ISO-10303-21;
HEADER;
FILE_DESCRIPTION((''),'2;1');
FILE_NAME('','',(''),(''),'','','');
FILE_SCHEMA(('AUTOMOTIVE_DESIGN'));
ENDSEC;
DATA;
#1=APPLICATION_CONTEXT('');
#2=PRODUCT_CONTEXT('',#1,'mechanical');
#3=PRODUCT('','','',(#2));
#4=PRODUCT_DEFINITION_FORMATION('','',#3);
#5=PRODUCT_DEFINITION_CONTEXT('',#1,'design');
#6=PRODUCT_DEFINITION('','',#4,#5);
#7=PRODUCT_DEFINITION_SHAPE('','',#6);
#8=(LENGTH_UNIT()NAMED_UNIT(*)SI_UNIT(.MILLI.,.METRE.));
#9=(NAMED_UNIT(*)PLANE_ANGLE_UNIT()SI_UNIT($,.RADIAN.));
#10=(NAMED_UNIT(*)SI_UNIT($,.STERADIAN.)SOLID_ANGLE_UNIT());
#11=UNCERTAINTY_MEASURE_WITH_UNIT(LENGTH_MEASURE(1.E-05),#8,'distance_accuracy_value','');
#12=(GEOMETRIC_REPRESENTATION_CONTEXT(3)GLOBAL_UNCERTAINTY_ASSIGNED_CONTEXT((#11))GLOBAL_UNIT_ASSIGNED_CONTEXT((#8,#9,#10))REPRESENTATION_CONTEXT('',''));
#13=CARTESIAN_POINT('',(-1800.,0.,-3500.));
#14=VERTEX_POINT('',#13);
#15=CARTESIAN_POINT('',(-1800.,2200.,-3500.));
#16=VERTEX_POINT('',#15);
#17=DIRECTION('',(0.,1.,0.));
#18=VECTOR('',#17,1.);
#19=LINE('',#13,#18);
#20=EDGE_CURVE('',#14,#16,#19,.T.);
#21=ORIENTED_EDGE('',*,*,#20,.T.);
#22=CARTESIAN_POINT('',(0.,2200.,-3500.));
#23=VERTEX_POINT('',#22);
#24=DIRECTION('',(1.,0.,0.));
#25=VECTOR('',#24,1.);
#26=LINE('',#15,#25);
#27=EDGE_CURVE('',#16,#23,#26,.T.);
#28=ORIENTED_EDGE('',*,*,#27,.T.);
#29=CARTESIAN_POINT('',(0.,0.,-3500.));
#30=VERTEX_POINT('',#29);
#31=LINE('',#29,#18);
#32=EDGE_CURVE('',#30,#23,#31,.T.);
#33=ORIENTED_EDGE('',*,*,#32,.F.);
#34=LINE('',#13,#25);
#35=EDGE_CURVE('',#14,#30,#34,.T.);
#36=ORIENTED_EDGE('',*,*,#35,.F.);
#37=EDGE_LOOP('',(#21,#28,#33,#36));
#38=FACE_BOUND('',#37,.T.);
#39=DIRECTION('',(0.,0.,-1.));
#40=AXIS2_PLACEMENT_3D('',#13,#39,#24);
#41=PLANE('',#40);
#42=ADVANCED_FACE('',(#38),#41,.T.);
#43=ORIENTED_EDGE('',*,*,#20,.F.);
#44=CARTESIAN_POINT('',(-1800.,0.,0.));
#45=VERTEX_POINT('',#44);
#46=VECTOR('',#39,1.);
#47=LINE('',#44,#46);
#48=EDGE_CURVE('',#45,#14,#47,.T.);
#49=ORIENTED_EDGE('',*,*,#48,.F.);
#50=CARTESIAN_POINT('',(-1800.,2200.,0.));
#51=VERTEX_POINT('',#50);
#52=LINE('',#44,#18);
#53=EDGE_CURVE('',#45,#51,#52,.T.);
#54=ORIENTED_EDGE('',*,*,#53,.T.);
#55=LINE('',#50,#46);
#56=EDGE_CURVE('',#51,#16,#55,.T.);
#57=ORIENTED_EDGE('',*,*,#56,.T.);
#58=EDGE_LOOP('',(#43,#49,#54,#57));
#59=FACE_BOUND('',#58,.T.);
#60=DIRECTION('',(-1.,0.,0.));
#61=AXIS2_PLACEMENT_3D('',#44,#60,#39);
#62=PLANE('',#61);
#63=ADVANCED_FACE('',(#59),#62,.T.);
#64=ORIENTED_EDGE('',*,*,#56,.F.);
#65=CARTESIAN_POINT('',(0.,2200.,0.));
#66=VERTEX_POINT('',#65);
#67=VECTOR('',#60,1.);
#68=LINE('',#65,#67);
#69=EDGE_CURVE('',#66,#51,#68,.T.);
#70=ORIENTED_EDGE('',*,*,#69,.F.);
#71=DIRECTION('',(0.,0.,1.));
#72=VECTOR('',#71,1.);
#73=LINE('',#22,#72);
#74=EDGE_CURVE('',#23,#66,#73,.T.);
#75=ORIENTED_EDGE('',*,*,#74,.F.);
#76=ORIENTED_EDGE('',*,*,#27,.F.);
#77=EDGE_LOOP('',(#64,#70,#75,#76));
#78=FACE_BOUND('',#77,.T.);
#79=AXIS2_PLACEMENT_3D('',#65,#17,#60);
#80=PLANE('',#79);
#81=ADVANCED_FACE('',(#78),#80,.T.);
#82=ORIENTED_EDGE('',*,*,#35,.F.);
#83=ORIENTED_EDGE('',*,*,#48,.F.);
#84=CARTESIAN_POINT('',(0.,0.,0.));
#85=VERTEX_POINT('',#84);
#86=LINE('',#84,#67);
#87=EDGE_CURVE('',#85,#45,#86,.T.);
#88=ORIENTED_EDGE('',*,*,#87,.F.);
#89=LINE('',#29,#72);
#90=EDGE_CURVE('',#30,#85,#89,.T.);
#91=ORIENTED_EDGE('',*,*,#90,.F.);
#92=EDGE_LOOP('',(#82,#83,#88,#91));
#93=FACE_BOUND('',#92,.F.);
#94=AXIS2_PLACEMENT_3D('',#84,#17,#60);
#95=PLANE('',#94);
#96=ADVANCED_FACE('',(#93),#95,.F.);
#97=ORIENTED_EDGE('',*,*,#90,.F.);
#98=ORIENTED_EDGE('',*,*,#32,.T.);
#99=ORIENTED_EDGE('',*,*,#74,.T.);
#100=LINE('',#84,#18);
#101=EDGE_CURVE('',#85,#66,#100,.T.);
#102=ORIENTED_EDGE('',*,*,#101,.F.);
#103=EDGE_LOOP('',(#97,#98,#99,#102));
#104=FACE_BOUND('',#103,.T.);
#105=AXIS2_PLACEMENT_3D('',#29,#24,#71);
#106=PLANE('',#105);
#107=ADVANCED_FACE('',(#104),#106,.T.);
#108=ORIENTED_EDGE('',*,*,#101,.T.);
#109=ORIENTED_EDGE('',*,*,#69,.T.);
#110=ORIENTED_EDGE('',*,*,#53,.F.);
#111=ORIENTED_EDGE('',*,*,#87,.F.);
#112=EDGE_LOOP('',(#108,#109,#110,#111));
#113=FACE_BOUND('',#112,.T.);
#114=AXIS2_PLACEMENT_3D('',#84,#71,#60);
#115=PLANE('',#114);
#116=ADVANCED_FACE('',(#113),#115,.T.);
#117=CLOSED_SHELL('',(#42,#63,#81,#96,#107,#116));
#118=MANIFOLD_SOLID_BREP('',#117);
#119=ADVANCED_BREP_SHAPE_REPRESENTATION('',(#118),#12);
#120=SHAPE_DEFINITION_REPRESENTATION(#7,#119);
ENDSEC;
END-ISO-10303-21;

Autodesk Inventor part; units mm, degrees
ref_plane "YZ Plane" through (0, 0, 0) normal (1, 0, 0) x (0, 1, 0)
ref_plane "XZ Plane" through (0, 0, 0) normal (0, 1, 0) x (-1, 0, 0)
ref_plane "XY Plane" through (0, 0, 0) normal (0, 0, 1) x (1, 0, 0)
sketch "Sketch2" plane through (0, 0, 0) normal (0, 1, 0) x (-1, 0, 0)
  line L0 (0, 0) -> (1800, 0)
  line L1 (1800, 0) -> (1800, -3500)
  line L2 (1800, -3500) -> (0, -3500)
  line L3 (0, -3500) -> (0, 0)
  dimension "Base_Width" = 1800
  dimension "Base_Length" = 3500
extrude "Extrusion1" add sketch "Sketch2" along normal blind 2200
sketch "Sketch4" plane through (0, 0, -3500) normal (0, 0, -1) x (-1, 0, 0)
  line L0 (0, 0) -> (1800, 0) construction
  line L1 (0, 0) -> (1800, 0) construction
  line L2 (1800, 0) -> (1800, 2200) construction
  line L3 (0, 2200) -> (1800, 2200) construction
  line L4 (0, 0) -> (0, 2200) construction
  line L5 (0, 0) -> (900, 2200)
  line L6 (1800, 0) -> (896.2137, 2190.7445)
  line L7 (0, 2200) -> (1800, 2200) projected
  line L8 (204.5455, 500) -> (1593.7262, 500)
  dimension "d10" = 10
  dimension "d12" = 500
sketch "Sketch5" plane through (0, 2200, 0) normal (0, 1, 0) x (1, 0, 0)
  line L0 (-1800, 0) -> (0, 0) construction
  line L1 (0, 3500) -> (-1800, 3500) construction
  line L2 (0, 3500) -> (-1800, 3500) construction
  line L3 (-1800, 3500) -> (-1800, 0) construction
  line L4 (-1800, 0) -> (0, 0) construction
  line L5 (0, 0) -> (0, 3500) construction
  line L6 (-900, -20) -> (-900, 3520)
  dimension "d17" = 20
  dimension "d18" = 20
  dimension "d19" = 900
sketch "Sketch6" plane through (-1800, 0, 0) normal (0, 0, 1) x (1, 0, 0)
  line L0 (1800, 0) -> (900, 2200) construction
  line L1 (0, 0) -> (903.7863, 2190.7445) construction
  line L2 (1800, 0) -> (0, 0) construction
  line L3 (0, 0) -> (903.7863, 2190.7445)
  line L4 (900, 2200) -> (1800, 0)
  line L5 (206.2738, 500) -> (1595.4545, 500)
  line L6 (778.2604, 1886.4745) -> (1028.2604, 1886.4745)
  point P0 (900.8642, 500)
  dimension "d11" = 500
  dimension "d20" = 250
ref_plane "Work Plane1" through (-900, 0, 0) normal (1, 0, 0) x (0, 0, -1)
sketch "Sketch7" plane through (-900, 0, 0) normal (1, 0, 0) x (0, 0, -1)
  line L0 (305.1382, 2200) -> (0, 1887.8121)
  line L1 (-20, 2200) -> (3520, 2200) projected
  line L2 (0, 0) -> (0, 2200) construction
equation "\"d19\" = 0.5 * Base_Width"
properties part number "SzofiHinta"
